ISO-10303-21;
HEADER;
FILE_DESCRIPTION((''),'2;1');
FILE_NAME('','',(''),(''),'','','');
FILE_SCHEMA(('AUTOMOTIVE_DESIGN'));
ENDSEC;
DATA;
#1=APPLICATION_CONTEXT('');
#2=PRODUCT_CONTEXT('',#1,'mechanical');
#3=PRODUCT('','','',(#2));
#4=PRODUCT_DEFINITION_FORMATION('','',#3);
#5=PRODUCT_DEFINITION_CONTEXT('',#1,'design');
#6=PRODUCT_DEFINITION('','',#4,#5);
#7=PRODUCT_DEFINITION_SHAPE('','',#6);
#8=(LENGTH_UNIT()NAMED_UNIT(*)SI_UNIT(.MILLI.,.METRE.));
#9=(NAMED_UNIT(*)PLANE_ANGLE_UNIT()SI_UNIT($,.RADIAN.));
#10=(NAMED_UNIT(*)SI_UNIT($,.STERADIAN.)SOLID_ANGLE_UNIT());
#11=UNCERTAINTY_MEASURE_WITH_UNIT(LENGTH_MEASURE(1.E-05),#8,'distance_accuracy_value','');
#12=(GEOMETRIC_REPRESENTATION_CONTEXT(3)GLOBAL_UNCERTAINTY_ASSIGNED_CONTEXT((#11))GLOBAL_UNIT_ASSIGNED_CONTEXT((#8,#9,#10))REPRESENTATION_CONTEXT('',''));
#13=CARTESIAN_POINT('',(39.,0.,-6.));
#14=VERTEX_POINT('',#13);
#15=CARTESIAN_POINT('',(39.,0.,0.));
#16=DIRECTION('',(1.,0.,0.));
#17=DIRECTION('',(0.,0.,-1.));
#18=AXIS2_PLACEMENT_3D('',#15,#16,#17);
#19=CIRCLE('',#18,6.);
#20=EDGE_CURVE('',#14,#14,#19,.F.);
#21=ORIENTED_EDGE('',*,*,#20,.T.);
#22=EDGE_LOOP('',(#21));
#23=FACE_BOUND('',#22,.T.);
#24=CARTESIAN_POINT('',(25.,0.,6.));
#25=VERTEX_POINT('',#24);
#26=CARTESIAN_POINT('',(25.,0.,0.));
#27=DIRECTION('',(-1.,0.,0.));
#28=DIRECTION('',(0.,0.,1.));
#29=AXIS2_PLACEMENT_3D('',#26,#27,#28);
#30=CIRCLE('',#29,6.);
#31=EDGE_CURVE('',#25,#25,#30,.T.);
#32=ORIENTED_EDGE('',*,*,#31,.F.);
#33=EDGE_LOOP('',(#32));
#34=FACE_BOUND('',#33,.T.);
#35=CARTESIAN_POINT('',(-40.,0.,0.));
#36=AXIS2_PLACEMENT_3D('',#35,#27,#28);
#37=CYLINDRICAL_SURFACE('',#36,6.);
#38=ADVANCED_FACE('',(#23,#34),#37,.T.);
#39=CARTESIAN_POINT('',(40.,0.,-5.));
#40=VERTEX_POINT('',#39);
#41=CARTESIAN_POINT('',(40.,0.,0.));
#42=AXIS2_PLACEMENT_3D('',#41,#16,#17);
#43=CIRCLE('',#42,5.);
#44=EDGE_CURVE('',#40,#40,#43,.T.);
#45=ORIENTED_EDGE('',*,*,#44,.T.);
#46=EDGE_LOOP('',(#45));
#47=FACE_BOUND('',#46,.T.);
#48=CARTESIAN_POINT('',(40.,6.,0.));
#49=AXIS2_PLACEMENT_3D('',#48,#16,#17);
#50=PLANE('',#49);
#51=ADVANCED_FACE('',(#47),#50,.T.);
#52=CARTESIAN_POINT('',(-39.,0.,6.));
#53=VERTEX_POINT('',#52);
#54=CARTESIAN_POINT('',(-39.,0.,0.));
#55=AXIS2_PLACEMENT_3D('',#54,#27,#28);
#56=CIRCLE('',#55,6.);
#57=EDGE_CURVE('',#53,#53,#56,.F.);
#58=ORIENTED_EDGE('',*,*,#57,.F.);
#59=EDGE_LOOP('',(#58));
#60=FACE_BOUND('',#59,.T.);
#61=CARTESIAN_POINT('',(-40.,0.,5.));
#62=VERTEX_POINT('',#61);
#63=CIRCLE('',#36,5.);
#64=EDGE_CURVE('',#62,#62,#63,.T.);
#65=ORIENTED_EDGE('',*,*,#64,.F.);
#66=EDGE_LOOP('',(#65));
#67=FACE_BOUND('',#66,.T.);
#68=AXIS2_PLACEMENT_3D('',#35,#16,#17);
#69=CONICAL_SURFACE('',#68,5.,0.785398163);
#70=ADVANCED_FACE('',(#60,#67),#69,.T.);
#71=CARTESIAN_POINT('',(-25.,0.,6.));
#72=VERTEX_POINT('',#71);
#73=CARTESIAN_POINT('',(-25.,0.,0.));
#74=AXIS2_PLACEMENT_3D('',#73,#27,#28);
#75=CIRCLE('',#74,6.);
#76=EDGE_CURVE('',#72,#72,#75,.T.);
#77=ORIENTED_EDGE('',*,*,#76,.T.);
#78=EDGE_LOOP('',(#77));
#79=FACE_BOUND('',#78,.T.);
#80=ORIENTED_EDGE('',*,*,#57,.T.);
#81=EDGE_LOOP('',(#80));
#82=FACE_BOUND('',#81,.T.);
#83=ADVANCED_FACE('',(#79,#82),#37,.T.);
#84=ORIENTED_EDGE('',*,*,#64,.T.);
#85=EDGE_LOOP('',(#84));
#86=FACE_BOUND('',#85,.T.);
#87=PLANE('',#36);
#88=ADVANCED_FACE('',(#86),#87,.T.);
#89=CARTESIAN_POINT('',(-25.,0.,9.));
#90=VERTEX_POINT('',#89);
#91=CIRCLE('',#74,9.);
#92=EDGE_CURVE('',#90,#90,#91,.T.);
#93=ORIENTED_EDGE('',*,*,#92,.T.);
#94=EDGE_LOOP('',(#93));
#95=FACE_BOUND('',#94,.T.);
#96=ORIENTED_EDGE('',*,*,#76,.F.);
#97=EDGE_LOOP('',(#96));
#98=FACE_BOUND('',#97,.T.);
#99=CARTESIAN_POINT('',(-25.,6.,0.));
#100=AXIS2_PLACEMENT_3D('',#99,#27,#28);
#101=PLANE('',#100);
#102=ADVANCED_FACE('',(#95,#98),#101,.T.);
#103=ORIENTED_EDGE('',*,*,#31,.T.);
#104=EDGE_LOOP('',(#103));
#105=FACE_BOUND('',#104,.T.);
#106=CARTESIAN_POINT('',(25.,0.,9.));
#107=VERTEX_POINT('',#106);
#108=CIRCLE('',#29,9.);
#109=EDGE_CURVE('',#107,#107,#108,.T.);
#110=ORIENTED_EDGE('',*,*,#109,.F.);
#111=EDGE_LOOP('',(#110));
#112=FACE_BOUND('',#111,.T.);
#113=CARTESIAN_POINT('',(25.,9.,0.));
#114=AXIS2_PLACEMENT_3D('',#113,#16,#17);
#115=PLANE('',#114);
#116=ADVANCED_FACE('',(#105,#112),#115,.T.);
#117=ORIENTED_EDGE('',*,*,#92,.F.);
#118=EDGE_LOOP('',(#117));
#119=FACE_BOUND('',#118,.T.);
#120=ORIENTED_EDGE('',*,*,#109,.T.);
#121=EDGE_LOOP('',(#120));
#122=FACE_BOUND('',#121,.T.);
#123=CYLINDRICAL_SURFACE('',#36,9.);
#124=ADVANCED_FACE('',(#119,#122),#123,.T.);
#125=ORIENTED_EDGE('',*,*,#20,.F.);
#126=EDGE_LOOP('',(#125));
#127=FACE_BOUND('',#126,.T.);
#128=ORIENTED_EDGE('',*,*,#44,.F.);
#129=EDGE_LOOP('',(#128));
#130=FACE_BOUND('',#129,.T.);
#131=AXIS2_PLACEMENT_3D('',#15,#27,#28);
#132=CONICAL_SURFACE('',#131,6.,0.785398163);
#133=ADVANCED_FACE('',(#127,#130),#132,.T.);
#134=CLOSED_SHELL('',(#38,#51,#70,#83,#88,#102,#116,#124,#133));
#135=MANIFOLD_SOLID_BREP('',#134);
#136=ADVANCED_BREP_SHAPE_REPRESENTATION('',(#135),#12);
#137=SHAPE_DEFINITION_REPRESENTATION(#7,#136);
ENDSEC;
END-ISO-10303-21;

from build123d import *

# Parameters (mm, degrees)
CHAMFER1_SIZE = 1


with BuildPart() as part:
    # Sketch1 → Revolve1 (revolve)
    with BuildSketch(Plane.XY, mode=Mode.PRIVATE) as revolve1_sk:
        Polygon((-40, 0), (40, 0), (40, 6), (25, 6), (25, 9), (-25, 9), (-25, 6), (-40, 6), align=None)
    revolve(revolve1_sk.sketch.rotate(Axis((-40, 0, 0), (1, 0, 0)), 90), axis=Axis((-40, 0, 0), (1, 0, 0)))

    # Chamfer1
    chamfer1_edges = [part.edges().sort_by_distance(p)[0] for p in [
        (-40, 0, -6),
        (40, 0, -6),
    ]]
    chamfer(chamfer1_edges, length=CHAMFER1_SIZE)


solid = part.part
